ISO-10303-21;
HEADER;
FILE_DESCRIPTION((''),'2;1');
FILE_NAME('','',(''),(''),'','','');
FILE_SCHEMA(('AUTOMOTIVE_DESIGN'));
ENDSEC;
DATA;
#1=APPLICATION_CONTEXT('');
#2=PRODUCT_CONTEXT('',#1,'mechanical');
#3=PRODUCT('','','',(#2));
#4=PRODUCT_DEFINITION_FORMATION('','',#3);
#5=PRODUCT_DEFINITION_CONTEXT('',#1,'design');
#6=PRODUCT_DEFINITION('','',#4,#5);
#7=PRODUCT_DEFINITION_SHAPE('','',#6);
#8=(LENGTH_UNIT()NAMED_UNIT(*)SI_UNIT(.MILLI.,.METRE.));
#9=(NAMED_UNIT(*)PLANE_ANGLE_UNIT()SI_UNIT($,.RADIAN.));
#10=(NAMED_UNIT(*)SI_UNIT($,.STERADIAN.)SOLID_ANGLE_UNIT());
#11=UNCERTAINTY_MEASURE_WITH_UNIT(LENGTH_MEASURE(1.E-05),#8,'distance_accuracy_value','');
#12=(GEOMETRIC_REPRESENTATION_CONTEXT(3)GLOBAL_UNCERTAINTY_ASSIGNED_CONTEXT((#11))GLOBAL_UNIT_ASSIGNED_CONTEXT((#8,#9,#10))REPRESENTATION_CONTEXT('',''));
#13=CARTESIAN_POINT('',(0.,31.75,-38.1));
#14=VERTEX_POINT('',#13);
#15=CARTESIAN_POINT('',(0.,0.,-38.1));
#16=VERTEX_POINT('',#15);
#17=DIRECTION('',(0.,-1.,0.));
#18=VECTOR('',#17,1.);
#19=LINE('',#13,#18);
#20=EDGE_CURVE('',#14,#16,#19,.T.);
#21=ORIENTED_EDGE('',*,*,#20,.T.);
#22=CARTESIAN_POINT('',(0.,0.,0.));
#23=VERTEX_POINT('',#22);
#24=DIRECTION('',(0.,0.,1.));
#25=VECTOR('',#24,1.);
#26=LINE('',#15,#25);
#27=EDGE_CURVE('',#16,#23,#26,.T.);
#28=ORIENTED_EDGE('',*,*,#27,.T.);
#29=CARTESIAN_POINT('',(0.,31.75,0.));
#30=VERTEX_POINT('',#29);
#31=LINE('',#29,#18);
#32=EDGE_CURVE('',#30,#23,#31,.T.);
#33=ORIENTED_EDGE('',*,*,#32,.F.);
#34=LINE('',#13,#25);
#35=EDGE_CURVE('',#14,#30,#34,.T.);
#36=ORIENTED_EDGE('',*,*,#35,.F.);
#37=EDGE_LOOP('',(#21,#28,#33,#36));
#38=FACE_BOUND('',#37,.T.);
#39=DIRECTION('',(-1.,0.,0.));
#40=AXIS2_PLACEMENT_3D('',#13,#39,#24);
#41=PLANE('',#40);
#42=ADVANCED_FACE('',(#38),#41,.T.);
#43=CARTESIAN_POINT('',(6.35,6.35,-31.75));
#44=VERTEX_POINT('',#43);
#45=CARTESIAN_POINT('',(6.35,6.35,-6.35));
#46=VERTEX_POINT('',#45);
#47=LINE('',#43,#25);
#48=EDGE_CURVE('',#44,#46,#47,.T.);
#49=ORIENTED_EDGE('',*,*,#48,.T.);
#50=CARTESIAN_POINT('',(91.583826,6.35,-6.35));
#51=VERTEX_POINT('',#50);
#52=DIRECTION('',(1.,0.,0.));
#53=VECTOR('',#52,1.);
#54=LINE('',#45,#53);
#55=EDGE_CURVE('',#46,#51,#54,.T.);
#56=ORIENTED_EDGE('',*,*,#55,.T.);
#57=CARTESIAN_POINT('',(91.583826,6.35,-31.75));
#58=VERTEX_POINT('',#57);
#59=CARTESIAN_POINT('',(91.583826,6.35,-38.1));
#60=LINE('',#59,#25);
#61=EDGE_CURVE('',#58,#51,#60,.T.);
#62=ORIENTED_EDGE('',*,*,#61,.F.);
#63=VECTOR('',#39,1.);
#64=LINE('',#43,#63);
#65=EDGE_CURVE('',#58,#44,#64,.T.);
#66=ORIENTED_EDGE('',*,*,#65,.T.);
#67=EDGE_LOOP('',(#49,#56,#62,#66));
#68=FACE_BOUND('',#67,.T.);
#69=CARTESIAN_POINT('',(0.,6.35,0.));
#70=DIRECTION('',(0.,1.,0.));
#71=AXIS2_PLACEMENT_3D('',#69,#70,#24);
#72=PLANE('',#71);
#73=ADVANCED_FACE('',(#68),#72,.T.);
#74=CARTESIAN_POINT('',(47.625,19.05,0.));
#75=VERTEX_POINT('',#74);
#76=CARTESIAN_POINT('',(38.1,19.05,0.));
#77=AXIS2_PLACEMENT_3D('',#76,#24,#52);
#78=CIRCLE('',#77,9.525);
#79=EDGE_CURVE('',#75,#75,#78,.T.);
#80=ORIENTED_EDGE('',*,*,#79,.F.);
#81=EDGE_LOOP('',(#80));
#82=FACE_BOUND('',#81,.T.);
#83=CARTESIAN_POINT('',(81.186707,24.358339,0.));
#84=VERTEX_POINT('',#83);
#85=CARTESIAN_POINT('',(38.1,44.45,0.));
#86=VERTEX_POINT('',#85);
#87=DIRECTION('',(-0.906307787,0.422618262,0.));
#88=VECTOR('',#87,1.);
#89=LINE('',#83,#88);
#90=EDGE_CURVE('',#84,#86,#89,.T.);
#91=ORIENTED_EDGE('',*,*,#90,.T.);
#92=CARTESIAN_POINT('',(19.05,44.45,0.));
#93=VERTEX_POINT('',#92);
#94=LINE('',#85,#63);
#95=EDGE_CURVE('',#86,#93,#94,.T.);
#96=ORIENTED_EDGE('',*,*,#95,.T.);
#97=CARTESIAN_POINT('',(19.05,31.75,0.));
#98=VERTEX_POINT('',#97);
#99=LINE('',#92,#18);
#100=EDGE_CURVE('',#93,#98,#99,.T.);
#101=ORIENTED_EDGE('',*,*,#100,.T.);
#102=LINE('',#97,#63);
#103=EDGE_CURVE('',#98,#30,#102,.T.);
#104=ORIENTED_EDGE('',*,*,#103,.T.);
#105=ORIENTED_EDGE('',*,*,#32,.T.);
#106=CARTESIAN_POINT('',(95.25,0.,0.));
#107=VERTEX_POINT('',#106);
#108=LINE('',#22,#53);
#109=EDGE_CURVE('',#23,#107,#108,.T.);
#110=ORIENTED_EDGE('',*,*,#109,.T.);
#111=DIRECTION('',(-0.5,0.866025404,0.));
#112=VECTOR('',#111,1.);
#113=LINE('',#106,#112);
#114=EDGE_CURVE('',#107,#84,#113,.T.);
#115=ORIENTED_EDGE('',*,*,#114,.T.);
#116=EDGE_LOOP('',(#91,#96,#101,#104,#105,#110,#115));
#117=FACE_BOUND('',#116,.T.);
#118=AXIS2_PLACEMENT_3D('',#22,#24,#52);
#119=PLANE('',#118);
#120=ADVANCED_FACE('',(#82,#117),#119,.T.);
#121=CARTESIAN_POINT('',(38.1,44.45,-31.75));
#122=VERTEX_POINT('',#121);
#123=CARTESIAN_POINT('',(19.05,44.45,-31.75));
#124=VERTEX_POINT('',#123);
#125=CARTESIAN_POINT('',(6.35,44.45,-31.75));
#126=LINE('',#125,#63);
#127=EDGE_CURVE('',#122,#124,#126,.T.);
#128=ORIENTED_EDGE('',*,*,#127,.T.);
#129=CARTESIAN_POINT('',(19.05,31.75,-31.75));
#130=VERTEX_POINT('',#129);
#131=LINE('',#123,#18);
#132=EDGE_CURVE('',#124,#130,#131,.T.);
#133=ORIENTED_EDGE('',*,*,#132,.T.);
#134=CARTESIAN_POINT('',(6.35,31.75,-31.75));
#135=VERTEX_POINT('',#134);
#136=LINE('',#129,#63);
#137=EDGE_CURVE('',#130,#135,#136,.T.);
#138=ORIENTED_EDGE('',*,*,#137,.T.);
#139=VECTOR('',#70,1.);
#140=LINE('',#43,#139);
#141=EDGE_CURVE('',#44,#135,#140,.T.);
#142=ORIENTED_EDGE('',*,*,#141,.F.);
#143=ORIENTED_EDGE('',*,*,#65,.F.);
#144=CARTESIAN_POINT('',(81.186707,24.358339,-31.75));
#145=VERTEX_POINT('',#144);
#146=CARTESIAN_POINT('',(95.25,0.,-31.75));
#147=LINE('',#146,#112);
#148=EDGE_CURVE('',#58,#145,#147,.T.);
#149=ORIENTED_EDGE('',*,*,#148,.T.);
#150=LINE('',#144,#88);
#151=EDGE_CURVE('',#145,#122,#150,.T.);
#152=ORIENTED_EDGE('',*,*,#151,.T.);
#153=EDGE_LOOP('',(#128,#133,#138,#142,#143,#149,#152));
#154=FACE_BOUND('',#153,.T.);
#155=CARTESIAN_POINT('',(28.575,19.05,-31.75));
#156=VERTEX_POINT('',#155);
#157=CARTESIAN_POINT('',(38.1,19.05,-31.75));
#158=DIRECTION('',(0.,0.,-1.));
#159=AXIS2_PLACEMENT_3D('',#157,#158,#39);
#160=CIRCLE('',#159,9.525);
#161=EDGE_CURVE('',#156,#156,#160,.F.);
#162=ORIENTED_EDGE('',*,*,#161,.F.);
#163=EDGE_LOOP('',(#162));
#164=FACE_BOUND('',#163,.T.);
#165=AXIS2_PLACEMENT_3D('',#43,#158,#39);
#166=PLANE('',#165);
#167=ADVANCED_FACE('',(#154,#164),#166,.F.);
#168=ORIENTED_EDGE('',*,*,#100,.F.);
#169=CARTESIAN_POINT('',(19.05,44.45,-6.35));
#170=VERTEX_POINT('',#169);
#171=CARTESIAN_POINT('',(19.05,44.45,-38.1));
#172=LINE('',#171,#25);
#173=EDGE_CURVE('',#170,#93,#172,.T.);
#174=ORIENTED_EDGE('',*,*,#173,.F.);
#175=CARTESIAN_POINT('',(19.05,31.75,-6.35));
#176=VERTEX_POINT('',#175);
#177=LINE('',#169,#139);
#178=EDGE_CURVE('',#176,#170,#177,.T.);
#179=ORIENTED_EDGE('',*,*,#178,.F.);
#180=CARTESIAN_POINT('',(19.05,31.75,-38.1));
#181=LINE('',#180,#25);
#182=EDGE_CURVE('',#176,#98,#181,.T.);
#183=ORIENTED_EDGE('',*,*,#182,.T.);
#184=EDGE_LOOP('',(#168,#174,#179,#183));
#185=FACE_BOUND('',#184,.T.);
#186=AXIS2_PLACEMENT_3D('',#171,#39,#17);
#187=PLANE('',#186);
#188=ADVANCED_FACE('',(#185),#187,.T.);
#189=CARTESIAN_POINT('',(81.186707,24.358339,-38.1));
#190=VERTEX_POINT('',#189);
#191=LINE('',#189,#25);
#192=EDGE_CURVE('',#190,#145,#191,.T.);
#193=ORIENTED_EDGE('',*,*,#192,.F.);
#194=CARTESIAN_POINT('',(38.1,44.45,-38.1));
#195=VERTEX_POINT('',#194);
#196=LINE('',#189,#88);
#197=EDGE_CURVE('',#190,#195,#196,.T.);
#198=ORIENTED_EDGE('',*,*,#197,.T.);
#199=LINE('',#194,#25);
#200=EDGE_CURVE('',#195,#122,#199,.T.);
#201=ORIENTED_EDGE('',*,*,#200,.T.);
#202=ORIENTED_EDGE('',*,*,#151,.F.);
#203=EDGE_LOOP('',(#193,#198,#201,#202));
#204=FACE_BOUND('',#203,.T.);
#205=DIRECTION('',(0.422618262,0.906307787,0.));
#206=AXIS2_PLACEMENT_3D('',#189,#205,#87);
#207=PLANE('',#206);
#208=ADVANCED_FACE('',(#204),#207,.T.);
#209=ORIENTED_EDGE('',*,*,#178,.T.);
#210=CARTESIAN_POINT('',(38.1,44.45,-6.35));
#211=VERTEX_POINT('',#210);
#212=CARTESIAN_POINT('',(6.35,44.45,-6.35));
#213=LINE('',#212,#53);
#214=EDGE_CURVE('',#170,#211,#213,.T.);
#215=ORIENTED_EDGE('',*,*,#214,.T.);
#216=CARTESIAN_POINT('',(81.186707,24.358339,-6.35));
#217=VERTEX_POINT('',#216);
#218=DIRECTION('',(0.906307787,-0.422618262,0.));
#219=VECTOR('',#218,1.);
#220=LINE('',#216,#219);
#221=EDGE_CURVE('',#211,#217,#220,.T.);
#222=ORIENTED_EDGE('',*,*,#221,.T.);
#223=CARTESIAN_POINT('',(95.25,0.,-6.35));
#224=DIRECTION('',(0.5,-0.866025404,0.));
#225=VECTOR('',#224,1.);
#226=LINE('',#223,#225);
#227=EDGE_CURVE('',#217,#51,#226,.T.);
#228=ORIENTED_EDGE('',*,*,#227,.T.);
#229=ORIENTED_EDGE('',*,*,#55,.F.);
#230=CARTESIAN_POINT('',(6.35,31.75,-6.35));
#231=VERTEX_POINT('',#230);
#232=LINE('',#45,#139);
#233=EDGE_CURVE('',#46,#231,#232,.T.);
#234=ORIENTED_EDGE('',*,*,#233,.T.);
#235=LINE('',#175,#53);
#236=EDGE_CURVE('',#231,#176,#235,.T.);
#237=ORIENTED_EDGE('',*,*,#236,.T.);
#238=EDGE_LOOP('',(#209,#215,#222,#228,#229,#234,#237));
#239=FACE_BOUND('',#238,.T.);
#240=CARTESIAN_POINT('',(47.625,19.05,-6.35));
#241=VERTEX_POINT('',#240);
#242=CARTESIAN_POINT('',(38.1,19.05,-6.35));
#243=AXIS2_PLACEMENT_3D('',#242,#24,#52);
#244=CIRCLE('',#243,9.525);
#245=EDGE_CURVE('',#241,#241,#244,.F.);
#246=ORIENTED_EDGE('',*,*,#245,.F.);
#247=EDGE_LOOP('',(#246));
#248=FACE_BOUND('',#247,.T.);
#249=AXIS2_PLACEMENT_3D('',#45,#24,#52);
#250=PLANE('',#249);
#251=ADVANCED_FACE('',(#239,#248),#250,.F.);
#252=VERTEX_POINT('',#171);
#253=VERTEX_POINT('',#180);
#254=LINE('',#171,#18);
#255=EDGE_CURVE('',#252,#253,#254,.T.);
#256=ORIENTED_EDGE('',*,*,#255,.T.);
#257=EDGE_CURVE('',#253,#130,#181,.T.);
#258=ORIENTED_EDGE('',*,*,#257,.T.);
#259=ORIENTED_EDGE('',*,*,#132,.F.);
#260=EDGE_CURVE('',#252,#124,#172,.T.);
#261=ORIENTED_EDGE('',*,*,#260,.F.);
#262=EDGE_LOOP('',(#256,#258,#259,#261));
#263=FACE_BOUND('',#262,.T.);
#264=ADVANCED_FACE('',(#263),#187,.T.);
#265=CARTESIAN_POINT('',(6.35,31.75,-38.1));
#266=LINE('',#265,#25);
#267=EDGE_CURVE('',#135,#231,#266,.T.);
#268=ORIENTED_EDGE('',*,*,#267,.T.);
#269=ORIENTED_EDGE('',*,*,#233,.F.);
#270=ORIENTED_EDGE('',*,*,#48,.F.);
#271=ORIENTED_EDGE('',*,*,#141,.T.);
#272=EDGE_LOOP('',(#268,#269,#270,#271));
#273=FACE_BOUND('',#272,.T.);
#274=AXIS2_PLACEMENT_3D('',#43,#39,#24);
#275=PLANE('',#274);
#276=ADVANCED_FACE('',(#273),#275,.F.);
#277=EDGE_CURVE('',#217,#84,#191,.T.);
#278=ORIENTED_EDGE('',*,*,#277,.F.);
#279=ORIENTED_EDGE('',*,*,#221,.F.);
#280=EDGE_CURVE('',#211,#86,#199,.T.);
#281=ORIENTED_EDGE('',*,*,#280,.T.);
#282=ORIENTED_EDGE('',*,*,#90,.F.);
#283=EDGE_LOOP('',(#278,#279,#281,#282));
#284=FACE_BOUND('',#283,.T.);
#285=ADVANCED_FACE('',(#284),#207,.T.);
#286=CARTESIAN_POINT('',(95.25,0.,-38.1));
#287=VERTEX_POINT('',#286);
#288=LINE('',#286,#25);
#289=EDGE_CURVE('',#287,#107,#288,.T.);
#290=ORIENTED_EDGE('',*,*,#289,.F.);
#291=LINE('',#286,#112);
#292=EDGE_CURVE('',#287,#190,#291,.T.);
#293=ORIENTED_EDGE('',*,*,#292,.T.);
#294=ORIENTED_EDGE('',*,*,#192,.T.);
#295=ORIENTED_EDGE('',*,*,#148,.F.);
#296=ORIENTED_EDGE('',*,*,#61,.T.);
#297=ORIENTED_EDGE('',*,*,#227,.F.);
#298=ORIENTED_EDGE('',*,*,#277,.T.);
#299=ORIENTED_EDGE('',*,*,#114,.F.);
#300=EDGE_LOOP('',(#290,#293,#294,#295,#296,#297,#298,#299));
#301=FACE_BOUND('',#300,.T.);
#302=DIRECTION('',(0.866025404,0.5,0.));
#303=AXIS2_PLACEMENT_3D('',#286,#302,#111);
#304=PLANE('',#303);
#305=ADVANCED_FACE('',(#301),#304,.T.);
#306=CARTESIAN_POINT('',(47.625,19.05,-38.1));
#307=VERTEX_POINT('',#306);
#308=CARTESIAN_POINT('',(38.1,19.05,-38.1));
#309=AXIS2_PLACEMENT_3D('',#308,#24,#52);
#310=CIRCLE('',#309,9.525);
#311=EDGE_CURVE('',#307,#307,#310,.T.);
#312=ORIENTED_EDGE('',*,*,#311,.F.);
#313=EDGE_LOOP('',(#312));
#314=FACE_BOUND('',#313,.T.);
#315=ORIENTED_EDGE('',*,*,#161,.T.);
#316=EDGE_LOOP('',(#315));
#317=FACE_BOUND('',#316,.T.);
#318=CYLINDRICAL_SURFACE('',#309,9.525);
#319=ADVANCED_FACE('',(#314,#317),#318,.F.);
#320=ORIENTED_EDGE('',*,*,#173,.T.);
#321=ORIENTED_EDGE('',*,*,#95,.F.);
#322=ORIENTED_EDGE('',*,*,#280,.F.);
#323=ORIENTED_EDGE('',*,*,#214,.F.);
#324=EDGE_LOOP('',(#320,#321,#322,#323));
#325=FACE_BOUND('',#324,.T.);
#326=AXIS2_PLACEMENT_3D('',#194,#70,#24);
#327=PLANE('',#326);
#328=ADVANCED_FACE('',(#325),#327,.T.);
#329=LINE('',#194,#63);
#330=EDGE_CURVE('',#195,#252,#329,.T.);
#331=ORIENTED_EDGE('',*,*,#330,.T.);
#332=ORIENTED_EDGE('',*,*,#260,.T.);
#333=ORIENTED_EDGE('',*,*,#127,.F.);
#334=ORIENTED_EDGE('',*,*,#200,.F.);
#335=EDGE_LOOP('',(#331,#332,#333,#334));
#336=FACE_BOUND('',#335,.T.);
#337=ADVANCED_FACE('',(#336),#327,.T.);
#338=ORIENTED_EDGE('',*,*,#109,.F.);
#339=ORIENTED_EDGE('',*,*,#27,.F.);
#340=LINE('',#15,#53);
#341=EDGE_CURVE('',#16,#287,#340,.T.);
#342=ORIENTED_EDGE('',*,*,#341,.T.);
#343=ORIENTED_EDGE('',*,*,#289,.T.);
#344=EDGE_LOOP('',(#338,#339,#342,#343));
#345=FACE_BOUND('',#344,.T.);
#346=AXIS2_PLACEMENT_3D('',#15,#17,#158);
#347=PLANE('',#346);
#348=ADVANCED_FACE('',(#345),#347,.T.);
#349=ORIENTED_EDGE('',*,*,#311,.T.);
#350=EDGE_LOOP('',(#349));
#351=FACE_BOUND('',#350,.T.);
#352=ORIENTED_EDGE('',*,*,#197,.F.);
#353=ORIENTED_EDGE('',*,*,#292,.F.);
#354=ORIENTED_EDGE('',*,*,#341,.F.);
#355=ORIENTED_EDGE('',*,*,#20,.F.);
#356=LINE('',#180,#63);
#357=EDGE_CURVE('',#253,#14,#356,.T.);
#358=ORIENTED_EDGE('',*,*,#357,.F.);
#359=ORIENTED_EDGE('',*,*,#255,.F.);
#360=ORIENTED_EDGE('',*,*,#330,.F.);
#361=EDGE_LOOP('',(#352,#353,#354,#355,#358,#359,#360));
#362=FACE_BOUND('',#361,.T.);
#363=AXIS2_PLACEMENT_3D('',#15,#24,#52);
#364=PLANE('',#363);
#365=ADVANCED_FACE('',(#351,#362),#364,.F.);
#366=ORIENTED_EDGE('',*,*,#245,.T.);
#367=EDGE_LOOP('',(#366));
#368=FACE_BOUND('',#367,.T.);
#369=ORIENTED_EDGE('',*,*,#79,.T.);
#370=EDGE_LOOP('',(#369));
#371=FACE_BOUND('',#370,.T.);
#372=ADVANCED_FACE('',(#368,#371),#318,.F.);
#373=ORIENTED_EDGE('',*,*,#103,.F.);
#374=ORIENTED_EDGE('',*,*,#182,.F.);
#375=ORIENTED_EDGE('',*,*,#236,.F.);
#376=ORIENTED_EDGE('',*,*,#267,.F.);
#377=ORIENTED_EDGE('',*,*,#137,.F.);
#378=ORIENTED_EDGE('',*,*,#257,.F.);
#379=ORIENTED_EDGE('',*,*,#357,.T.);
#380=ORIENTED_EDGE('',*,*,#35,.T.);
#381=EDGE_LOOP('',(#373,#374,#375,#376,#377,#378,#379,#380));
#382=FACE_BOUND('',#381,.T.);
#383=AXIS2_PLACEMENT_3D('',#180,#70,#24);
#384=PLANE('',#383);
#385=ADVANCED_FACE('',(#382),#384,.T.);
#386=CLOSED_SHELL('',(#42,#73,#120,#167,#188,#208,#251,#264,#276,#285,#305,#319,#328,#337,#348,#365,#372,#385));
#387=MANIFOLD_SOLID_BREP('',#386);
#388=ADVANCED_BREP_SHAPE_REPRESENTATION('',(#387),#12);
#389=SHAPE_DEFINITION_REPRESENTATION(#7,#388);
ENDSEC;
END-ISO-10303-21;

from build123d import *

# Parameters (mm, degrees)
BOSS_EXTRUDE1_DEPTH = 38.1
SKETCH2_R           = 9.525
CUT_EXTRUDE1_DEPTH  = 39.1
SKETCH3_W           = 88.9
SKETCH3_H           = 25.4
CUT_EXTRUDE2_DEPTH  = 38.1


with BuildPart() as part:
    # Sketch1 → Boss-Extrude1 (new body)
    with BuildSketch(Plane.XY):
        Polygon((0, 0), (95.25, 0), (81.186706555, 24.358338769), (38.1, 44.45), (19.05, 44.45), (19.05, 31.75), (0, 31.75), align=None)
    extrude(amount=-BOSS_EXTRUDE1_DEPTH)

    # Sketch2 → Cut-Extrude1 (cut, through all)
    with BuildSketch(Plane.XY):
        with Locations((38.1, 19.05)):
            Circle(SKETCH2_R)
    extrude(amount=-CUT_EXTRUDE1_DEPTH, mode=Mode.SUBTRACT)

    # Sketch3 → Cut-Extrude2 (cut)
    with BuildSketch(Plane(origin=(0, 44.45, 0), x_dir=(1, 0, 0), z_dir=(0, 1, 0))):
        with Locations((50.8, 19.05)):
            Rectangle(SKETCH3_W, SKETCH3_H)
    extrude(amount=-CUT_EXTRUDE2_DEPTH, mode=Mode.SUBTRACT)


solid = part.part
